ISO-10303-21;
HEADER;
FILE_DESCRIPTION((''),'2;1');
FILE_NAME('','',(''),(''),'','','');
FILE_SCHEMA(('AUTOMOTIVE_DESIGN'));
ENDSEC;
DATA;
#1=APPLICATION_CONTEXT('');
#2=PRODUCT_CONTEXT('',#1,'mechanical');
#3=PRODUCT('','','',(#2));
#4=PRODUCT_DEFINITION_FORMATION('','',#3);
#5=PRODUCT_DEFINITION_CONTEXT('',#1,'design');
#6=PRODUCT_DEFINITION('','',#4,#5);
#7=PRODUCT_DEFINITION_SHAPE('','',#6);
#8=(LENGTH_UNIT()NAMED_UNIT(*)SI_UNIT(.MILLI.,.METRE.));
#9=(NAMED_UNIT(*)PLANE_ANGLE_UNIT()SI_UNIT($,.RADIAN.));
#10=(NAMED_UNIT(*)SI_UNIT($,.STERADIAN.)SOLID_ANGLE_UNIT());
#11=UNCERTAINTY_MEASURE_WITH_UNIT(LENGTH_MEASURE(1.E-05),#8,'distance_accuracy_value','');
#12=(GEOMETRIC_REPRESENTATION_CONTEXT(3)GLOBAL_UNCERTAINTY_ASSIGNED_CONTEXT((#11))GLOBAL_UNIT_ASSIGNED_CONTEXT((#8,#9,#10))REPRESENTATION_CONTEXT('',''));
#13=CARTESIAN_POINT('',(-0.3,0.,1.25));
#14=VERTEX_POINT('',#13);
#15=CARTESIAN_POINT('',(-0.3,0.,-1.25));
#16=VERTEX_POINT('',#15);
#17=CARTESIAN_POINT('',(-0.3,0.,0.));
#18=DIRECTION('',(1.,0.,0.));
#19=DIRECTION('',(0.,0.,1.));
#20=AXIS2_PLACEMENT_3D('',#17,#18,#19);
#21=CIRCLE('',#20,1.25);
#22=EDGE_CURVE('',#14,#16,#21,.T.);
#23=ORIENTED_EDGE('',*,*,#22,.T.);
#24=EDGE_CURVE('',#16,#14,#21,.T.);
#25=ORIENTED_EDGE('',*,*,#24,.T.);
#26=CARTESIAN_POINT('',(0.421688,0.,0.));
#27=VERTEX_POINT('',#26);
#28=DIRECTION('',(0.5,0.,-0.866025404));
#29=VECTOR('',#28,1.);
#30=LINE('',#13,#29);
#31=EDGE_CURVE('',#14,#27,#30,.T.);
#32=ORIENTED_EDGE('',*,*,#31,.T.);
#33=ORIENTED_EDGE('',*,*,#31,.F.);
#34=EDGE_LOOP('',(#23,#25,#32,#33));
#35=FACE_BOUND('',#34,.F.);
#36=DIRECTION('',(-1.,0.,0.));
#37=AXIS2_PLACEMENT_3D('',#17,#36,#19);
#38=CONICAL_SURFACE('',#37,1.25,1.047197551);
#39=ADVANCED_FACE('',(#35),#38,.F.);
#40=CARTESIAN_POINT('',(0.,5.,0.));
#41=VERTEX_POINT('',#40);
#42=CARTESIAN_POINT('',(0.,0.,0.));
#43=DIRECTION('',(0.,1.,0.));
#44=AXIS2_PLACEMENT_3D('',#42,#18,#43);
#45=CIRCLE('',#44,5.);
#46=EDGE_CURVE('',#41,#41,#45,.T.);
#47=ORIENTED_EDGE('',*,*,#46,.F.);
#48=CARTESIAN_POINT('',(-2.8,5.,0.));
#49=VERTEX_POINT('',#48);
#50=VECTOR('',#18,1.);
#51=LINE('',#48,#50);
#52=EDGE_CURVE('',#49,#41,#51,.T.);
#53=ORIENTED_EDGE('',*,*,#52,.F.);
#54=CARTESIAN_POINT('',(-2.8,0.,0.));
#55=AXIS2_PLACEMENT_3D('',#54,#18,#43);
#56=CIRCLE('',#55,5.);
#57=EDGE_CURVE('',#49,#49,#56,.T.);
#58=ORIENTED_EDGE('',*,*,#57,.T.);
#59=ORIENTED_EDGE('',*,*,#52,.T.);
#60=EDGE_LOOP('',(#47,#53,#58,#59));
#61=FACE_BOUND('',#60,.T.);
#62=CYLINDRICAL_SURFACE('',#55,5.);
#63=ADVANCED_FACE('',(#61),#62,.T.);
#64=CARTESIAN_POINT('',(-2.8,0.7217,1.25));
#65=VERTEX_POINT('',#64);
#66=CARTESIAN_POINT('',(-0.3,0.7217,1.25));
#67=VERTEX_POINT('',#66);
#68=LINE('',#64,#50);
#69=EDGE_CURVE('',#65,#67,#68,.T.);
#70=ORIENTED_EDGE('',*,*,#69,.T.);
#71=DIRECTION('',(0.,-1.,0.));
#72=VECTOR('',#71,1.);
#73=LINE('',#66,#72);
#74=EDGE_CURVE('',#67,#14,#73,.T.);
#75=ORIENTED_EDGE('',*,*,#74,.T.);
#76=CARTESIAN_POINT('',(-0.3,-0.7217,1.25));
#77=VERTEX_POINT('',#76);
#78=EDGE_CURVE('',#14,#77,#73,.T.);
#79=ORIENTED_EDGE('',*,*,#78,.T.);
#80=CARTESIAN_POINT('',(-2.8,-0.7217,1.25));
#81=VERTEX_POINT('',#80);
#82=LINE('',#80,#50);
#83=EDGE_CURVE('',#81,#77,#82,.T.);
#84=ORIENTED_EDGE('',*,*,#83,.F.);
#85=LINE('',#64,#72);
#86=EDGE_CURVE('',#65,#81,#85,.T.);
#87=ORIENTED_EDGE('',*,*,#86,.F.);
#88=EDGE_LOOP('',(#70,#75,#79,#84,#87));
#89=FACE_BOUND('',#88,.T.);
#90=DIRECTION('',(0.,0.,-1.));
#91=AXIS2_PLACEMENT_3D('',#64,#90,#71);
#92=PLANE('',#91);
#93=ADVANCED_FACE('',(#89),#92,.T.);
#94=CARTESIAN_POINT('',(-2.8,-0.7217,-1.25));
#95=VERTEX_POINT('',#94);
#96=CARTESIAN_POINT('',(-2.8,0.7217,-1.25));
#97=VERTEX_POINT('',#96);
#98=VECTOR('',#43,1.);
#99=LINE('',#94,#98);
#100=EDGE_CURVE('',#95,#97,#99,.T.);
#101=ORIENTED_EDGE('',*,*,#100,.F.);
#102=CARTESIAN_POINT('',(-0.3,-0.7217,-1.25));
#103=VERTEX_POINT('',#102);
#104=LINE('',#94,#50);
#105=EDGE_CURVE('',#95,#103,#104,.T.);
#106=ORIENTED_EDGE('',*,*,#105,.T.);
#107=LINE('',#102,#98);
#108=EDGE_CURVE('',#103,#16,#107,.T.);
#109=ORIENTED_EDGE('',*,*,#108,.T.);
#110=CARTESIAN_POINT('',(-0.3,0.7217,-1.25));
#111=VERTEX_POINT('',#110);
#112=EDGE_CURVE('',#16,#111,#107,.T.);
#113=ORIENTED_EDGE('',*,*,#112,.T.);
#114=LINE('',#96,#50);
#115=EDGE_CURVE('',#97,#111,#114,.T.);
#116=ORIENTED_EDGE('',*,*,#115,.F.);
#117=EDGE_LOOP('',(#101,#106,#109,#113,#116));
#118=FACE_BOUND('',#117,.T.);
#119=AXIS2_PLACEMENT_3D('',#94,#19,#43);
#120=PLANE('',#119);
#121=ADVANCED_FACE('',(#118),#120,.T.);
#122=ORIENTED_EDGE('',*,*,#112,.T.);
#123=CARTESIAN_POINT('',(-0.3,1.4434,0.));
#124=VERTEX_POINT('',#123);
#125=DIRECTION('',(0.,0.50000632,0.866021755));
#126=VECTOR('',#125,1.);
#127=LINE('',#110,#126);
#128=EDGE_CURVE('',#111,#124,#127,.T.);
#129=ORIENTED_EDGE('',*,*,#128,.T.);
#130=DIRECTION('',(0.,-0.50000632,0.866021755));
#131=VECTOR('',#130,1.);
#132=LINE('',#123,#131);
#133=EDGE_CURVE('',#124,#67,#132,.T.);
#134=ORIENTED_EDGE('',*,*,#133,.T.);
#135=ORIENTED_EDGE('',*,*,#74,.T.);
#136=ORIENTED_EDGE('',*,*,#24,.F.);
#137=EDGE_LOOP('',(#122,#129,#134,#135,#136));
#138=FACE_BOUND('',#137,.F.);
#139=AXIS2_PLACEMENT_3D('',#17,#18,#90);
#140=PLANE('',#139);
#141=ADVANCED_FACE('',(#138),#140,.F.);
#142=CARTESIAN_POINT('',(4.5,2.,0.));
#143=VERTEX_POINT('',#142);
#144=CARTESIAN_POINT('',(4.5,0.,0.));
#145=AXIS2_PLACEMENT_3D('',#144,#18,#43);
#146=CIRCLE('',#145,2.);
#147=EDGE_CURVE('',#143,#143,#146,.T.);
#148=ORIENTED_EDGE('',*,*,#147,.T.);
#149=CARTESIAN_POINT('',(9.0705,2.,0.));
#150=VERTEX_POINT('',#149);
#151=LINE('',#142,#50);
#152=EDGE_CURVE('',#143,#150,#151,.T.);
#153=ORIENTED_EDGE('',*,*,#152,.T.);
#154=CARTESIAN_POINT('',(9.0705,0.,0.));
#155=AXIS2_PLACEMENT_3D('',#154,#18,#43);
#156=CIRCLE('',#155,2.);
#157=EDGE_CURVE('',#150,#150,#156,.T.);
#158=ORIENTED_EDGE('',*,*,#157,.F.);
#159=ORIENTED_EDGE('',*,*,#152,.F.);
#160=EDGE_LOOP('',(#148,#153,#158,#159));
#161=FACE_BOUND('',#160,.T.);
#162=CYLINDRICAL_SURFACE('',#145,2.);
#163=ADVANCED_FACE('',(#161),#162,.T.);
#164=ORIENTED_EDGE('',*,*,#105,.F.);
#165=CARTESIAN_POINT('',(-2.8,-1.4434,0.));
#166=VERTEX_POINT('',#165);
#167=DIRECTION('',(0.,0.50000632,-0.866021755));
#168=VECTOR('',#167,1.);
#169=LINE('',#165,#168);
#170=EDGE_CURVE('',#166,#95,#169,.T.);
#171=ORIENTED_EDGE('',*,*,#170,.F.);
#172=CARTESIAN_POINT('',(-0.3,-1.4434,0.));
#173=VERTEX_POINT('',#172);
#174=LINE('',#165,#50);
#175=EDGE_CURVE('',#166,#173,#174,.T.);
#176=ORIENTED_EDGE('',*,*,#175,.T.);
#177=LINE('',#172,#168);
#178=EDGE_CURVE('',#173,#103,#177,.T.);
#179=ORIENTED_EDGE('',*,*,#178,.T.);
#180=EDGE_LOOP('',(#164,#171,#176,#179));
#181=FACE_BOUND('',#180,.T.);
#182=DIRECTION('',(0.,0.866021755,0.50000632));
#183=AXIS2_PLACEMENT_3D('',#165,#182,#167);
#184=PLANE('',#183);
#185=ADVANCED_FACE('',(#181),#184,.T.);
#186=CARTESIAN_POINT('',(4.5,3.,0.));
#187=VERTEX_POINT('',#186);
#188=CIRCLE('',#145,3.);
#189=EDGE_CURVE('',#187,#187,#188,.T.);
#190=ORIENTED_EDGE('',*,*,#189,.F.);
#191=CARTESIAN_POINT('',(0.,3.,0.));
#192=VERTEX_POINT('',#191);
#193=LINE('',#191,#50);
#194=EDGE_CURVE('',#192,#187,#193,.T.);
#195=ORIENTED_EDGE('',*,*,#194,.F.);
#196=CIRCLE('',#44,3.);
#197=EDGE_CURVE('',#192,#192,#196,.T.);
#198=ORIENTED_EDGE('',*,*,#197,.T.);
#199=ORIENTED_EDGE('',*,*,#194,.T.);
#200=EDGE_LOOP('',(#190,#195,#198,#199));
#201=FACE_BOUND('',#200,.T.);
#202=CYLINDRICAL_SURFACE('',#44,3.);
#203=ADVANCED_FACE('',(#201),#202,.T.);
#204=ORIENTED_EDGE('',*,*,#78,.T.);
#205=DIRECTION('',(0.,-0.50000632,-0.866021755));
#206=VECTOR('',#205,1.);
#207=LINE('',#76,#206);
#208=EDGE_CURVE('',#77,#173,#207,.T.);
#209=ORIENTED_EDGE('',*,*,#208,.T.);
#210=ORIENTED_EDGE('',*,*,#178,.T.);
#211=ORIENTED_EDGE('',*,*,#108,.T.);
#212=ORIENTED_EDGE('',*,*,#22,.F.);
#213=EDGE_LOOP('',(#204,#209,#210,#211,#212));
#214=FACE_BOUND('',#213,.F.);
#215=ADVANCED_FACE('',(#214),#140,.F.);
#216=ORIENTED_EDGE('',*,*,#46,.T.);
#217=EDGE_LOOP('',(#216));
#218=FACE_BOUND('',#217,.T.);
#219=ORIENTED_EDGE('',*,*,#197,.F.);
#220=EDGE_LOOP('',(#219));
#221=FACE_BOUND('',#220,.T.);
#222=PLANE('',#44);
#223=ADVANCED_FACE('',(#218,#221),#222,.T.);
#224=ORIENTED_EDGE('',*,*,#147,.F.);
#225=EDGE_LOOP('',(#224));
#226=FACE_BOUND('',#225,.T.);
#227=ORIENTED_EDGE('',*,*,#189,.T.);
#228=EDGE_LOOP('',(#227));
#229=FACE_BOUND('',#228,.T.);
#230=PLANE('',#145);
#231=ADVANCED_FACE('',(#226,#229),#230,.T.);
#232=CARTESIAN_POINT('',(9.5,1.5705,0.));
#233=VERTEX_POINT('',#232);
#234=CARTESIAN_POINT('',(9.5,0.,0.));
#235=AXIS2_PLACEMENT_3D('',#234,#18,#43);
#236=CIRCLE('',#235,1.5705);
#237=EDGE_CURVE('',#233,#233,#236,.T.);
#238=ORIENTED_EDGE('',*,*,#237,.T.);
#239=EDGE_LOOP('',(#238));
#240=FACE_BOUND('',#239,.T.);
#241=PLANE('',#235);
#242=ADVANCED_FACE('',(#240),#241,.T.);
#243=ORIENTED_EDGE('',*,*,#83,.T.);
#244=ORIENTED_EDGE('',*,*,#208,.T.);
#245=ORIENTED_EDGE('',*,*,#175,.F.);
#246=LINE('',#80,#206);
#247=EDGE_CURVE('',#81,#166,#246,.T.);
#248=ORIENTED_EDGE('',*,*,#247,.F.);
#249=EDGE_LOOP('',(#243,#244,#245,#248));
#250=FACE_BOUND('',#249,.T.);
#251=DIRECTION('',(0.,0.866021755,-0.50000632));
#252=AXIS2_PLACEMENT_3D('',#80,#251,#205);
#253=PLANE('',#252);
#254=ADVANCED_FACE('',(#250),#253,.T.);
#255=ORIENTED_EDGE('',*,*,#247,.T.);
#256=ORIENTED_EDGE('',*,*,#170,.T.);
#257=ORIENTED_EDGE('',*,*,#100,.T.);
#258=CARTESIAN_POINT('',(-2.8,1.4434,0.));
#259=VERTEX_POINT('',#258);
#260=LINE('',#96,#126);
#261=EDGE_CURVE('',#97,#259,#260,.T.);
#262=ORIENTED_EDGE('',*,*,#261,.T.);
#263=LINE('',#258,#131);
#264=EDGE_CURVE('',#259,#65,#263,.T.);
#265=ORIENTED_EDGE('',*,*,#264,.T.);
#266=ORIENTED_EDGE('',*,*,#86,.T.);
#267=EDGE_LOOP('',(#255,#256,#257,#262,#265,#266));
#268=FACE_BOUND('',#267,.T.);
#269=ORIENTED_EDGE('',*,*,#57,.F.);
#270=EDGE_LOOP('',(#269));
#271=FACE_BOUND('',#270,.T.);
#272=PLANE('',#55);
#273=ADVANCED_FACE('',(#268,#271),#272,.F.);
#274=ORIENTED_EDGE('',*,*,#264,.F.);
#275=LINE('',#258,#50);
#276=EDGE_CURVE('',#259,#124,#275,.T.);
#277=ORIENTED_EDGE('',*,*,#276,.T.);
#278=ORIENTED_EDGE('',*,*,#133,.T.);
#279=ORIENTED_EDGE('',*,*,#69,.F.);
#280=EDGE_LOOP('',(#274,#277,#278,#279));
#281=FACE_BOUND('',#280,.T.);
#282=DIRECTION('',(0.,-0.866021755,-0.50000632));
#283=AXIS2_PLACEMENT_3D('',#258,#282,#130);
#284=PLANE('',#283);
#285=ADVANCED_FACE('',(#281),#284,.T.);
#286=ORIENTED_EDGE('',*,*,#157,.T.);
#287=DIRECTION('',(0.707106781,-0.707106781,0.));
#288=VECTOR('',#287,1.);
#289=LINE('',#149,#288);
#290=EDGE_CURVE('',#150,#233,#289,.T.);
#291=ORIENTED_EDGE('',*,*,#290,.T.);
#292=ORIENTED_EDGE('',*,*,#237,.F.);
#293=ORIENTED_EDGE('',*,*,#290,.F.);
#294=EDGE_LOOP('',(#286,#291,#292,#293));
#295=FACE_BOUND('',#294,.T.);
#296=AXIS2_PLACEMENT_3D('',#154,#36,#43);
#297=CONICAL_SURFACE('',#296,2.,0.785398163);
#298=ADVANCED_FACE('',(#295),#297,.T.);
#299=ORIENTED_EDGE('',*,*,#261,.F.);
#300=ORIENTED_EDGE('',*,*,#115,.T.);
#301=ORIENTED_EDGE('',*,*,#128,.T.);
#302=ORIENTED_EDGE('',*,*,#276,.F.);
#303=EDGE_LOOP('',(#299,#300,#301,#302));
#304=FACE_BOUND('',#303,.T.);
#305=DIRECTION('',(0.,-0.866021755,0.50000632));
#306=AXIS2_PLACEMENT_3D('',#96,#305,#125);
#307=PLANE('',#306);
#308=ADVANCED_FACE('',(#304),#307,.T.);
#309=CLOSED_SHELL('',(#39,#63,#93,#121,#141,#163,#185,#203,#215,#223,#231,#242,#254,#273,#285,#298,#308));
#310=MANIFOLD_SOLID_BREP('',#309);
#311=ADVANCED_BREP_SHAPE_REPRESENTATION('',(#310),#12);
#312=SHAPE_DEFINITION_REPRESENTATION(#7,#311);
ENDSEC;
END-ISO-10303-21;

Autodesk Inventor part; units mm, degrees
ref_plane "YZ Plane" through (0, 0, 0) normal (1, 0, 0) x (0, 1, 0)
ref_plane "XZ Plane" through (0, 0, 0) normal (0, 1, 0) x (-1, 0, 0)
ref_plane "XY Plane" through (0, 0, 0) normal (0, 0, 1) x (1, 0, 0)
sketch "Sketch_1" plane through (0, 0, 0) normal (0, 0, 1) x (1, 0, 0)
  line L0 (4.5, 0) -> (-2.8, 0)
  line L1 (-2.8, 0) -> (-2.8, 5)
  line L2 (-2.8, 5) -> (0, 5)
  line L3 (0, 5) -> (0, 3)
  line L4 (0, 3) -> (4.5, 3)
  line L5 (4.5, 3) -> (4.5, 0)
  line L6 (4.5, 0) -> (-2.8, 0)
revolve "Revolution1" add sketch "Sketch_1" angle 360 about axis through (4.5, 0, 0) along (1, 0, 0)
sketch "Sketch2" plane through (-2.8, 0, 0) normal (-1, 0, 0) x (0, 0, 1)
  point P0 (0, 0)
hole "Hole1" at (-2.8, 0, 0) direction (1, 0, 0) diameter 2.5 depth 2.5 tip angle 120
sketch "Sketch_3" plane through (-2.8, 0, 0) normal (1, 0, 0) x (0, 0, -1)
  line L0 (-1.25, -0.7217) -> (0, -1.4434)
  line L1 (0, -1.4434) -> (1.25, -0.7217)
  line L2 (1.25, -0.7217) -> (1.25, 0.7217)
  line L3 (1.25, 0.7217) -> (0, 1.4434)
  line L4 (0, 1.4434) -> (-1.25, 0.7217)
  line L5 (-1.25, 0.7217) -> (-1.25, -0.7217)
extrude "Extrusion1" cut sketch "Sketch_3" along normal blind 2.5
sketch "Sketch_6" plane through (0, 0, 0) normal (0, 0, 1) x (1, 0, 0)
  line L0 (9.5, 0) -> (4.5, 0)
  line L1 (4.5, 0) -> (4.5, 2)
  line L2 (4.5, 2) -> (9.0705, 2)
  line L3 (9.0705, 2) -> (9.5, 1.5705)
  line L4 (9.5, 1.5705) -> (9.5, 0)
  line L5 (9.5, 0) -> (4.5, 0)
revolve "Revolution2" add sketch "Sketch_6" angle 360 about axis through (9.5, 0, 0) along (1, 0, 0)
thread "Thread1" size "M4x0.7" class "6g" standard "ISO Metric profile" length 3.3705
properties part number "DBTS4-4.5-5-LTC"
